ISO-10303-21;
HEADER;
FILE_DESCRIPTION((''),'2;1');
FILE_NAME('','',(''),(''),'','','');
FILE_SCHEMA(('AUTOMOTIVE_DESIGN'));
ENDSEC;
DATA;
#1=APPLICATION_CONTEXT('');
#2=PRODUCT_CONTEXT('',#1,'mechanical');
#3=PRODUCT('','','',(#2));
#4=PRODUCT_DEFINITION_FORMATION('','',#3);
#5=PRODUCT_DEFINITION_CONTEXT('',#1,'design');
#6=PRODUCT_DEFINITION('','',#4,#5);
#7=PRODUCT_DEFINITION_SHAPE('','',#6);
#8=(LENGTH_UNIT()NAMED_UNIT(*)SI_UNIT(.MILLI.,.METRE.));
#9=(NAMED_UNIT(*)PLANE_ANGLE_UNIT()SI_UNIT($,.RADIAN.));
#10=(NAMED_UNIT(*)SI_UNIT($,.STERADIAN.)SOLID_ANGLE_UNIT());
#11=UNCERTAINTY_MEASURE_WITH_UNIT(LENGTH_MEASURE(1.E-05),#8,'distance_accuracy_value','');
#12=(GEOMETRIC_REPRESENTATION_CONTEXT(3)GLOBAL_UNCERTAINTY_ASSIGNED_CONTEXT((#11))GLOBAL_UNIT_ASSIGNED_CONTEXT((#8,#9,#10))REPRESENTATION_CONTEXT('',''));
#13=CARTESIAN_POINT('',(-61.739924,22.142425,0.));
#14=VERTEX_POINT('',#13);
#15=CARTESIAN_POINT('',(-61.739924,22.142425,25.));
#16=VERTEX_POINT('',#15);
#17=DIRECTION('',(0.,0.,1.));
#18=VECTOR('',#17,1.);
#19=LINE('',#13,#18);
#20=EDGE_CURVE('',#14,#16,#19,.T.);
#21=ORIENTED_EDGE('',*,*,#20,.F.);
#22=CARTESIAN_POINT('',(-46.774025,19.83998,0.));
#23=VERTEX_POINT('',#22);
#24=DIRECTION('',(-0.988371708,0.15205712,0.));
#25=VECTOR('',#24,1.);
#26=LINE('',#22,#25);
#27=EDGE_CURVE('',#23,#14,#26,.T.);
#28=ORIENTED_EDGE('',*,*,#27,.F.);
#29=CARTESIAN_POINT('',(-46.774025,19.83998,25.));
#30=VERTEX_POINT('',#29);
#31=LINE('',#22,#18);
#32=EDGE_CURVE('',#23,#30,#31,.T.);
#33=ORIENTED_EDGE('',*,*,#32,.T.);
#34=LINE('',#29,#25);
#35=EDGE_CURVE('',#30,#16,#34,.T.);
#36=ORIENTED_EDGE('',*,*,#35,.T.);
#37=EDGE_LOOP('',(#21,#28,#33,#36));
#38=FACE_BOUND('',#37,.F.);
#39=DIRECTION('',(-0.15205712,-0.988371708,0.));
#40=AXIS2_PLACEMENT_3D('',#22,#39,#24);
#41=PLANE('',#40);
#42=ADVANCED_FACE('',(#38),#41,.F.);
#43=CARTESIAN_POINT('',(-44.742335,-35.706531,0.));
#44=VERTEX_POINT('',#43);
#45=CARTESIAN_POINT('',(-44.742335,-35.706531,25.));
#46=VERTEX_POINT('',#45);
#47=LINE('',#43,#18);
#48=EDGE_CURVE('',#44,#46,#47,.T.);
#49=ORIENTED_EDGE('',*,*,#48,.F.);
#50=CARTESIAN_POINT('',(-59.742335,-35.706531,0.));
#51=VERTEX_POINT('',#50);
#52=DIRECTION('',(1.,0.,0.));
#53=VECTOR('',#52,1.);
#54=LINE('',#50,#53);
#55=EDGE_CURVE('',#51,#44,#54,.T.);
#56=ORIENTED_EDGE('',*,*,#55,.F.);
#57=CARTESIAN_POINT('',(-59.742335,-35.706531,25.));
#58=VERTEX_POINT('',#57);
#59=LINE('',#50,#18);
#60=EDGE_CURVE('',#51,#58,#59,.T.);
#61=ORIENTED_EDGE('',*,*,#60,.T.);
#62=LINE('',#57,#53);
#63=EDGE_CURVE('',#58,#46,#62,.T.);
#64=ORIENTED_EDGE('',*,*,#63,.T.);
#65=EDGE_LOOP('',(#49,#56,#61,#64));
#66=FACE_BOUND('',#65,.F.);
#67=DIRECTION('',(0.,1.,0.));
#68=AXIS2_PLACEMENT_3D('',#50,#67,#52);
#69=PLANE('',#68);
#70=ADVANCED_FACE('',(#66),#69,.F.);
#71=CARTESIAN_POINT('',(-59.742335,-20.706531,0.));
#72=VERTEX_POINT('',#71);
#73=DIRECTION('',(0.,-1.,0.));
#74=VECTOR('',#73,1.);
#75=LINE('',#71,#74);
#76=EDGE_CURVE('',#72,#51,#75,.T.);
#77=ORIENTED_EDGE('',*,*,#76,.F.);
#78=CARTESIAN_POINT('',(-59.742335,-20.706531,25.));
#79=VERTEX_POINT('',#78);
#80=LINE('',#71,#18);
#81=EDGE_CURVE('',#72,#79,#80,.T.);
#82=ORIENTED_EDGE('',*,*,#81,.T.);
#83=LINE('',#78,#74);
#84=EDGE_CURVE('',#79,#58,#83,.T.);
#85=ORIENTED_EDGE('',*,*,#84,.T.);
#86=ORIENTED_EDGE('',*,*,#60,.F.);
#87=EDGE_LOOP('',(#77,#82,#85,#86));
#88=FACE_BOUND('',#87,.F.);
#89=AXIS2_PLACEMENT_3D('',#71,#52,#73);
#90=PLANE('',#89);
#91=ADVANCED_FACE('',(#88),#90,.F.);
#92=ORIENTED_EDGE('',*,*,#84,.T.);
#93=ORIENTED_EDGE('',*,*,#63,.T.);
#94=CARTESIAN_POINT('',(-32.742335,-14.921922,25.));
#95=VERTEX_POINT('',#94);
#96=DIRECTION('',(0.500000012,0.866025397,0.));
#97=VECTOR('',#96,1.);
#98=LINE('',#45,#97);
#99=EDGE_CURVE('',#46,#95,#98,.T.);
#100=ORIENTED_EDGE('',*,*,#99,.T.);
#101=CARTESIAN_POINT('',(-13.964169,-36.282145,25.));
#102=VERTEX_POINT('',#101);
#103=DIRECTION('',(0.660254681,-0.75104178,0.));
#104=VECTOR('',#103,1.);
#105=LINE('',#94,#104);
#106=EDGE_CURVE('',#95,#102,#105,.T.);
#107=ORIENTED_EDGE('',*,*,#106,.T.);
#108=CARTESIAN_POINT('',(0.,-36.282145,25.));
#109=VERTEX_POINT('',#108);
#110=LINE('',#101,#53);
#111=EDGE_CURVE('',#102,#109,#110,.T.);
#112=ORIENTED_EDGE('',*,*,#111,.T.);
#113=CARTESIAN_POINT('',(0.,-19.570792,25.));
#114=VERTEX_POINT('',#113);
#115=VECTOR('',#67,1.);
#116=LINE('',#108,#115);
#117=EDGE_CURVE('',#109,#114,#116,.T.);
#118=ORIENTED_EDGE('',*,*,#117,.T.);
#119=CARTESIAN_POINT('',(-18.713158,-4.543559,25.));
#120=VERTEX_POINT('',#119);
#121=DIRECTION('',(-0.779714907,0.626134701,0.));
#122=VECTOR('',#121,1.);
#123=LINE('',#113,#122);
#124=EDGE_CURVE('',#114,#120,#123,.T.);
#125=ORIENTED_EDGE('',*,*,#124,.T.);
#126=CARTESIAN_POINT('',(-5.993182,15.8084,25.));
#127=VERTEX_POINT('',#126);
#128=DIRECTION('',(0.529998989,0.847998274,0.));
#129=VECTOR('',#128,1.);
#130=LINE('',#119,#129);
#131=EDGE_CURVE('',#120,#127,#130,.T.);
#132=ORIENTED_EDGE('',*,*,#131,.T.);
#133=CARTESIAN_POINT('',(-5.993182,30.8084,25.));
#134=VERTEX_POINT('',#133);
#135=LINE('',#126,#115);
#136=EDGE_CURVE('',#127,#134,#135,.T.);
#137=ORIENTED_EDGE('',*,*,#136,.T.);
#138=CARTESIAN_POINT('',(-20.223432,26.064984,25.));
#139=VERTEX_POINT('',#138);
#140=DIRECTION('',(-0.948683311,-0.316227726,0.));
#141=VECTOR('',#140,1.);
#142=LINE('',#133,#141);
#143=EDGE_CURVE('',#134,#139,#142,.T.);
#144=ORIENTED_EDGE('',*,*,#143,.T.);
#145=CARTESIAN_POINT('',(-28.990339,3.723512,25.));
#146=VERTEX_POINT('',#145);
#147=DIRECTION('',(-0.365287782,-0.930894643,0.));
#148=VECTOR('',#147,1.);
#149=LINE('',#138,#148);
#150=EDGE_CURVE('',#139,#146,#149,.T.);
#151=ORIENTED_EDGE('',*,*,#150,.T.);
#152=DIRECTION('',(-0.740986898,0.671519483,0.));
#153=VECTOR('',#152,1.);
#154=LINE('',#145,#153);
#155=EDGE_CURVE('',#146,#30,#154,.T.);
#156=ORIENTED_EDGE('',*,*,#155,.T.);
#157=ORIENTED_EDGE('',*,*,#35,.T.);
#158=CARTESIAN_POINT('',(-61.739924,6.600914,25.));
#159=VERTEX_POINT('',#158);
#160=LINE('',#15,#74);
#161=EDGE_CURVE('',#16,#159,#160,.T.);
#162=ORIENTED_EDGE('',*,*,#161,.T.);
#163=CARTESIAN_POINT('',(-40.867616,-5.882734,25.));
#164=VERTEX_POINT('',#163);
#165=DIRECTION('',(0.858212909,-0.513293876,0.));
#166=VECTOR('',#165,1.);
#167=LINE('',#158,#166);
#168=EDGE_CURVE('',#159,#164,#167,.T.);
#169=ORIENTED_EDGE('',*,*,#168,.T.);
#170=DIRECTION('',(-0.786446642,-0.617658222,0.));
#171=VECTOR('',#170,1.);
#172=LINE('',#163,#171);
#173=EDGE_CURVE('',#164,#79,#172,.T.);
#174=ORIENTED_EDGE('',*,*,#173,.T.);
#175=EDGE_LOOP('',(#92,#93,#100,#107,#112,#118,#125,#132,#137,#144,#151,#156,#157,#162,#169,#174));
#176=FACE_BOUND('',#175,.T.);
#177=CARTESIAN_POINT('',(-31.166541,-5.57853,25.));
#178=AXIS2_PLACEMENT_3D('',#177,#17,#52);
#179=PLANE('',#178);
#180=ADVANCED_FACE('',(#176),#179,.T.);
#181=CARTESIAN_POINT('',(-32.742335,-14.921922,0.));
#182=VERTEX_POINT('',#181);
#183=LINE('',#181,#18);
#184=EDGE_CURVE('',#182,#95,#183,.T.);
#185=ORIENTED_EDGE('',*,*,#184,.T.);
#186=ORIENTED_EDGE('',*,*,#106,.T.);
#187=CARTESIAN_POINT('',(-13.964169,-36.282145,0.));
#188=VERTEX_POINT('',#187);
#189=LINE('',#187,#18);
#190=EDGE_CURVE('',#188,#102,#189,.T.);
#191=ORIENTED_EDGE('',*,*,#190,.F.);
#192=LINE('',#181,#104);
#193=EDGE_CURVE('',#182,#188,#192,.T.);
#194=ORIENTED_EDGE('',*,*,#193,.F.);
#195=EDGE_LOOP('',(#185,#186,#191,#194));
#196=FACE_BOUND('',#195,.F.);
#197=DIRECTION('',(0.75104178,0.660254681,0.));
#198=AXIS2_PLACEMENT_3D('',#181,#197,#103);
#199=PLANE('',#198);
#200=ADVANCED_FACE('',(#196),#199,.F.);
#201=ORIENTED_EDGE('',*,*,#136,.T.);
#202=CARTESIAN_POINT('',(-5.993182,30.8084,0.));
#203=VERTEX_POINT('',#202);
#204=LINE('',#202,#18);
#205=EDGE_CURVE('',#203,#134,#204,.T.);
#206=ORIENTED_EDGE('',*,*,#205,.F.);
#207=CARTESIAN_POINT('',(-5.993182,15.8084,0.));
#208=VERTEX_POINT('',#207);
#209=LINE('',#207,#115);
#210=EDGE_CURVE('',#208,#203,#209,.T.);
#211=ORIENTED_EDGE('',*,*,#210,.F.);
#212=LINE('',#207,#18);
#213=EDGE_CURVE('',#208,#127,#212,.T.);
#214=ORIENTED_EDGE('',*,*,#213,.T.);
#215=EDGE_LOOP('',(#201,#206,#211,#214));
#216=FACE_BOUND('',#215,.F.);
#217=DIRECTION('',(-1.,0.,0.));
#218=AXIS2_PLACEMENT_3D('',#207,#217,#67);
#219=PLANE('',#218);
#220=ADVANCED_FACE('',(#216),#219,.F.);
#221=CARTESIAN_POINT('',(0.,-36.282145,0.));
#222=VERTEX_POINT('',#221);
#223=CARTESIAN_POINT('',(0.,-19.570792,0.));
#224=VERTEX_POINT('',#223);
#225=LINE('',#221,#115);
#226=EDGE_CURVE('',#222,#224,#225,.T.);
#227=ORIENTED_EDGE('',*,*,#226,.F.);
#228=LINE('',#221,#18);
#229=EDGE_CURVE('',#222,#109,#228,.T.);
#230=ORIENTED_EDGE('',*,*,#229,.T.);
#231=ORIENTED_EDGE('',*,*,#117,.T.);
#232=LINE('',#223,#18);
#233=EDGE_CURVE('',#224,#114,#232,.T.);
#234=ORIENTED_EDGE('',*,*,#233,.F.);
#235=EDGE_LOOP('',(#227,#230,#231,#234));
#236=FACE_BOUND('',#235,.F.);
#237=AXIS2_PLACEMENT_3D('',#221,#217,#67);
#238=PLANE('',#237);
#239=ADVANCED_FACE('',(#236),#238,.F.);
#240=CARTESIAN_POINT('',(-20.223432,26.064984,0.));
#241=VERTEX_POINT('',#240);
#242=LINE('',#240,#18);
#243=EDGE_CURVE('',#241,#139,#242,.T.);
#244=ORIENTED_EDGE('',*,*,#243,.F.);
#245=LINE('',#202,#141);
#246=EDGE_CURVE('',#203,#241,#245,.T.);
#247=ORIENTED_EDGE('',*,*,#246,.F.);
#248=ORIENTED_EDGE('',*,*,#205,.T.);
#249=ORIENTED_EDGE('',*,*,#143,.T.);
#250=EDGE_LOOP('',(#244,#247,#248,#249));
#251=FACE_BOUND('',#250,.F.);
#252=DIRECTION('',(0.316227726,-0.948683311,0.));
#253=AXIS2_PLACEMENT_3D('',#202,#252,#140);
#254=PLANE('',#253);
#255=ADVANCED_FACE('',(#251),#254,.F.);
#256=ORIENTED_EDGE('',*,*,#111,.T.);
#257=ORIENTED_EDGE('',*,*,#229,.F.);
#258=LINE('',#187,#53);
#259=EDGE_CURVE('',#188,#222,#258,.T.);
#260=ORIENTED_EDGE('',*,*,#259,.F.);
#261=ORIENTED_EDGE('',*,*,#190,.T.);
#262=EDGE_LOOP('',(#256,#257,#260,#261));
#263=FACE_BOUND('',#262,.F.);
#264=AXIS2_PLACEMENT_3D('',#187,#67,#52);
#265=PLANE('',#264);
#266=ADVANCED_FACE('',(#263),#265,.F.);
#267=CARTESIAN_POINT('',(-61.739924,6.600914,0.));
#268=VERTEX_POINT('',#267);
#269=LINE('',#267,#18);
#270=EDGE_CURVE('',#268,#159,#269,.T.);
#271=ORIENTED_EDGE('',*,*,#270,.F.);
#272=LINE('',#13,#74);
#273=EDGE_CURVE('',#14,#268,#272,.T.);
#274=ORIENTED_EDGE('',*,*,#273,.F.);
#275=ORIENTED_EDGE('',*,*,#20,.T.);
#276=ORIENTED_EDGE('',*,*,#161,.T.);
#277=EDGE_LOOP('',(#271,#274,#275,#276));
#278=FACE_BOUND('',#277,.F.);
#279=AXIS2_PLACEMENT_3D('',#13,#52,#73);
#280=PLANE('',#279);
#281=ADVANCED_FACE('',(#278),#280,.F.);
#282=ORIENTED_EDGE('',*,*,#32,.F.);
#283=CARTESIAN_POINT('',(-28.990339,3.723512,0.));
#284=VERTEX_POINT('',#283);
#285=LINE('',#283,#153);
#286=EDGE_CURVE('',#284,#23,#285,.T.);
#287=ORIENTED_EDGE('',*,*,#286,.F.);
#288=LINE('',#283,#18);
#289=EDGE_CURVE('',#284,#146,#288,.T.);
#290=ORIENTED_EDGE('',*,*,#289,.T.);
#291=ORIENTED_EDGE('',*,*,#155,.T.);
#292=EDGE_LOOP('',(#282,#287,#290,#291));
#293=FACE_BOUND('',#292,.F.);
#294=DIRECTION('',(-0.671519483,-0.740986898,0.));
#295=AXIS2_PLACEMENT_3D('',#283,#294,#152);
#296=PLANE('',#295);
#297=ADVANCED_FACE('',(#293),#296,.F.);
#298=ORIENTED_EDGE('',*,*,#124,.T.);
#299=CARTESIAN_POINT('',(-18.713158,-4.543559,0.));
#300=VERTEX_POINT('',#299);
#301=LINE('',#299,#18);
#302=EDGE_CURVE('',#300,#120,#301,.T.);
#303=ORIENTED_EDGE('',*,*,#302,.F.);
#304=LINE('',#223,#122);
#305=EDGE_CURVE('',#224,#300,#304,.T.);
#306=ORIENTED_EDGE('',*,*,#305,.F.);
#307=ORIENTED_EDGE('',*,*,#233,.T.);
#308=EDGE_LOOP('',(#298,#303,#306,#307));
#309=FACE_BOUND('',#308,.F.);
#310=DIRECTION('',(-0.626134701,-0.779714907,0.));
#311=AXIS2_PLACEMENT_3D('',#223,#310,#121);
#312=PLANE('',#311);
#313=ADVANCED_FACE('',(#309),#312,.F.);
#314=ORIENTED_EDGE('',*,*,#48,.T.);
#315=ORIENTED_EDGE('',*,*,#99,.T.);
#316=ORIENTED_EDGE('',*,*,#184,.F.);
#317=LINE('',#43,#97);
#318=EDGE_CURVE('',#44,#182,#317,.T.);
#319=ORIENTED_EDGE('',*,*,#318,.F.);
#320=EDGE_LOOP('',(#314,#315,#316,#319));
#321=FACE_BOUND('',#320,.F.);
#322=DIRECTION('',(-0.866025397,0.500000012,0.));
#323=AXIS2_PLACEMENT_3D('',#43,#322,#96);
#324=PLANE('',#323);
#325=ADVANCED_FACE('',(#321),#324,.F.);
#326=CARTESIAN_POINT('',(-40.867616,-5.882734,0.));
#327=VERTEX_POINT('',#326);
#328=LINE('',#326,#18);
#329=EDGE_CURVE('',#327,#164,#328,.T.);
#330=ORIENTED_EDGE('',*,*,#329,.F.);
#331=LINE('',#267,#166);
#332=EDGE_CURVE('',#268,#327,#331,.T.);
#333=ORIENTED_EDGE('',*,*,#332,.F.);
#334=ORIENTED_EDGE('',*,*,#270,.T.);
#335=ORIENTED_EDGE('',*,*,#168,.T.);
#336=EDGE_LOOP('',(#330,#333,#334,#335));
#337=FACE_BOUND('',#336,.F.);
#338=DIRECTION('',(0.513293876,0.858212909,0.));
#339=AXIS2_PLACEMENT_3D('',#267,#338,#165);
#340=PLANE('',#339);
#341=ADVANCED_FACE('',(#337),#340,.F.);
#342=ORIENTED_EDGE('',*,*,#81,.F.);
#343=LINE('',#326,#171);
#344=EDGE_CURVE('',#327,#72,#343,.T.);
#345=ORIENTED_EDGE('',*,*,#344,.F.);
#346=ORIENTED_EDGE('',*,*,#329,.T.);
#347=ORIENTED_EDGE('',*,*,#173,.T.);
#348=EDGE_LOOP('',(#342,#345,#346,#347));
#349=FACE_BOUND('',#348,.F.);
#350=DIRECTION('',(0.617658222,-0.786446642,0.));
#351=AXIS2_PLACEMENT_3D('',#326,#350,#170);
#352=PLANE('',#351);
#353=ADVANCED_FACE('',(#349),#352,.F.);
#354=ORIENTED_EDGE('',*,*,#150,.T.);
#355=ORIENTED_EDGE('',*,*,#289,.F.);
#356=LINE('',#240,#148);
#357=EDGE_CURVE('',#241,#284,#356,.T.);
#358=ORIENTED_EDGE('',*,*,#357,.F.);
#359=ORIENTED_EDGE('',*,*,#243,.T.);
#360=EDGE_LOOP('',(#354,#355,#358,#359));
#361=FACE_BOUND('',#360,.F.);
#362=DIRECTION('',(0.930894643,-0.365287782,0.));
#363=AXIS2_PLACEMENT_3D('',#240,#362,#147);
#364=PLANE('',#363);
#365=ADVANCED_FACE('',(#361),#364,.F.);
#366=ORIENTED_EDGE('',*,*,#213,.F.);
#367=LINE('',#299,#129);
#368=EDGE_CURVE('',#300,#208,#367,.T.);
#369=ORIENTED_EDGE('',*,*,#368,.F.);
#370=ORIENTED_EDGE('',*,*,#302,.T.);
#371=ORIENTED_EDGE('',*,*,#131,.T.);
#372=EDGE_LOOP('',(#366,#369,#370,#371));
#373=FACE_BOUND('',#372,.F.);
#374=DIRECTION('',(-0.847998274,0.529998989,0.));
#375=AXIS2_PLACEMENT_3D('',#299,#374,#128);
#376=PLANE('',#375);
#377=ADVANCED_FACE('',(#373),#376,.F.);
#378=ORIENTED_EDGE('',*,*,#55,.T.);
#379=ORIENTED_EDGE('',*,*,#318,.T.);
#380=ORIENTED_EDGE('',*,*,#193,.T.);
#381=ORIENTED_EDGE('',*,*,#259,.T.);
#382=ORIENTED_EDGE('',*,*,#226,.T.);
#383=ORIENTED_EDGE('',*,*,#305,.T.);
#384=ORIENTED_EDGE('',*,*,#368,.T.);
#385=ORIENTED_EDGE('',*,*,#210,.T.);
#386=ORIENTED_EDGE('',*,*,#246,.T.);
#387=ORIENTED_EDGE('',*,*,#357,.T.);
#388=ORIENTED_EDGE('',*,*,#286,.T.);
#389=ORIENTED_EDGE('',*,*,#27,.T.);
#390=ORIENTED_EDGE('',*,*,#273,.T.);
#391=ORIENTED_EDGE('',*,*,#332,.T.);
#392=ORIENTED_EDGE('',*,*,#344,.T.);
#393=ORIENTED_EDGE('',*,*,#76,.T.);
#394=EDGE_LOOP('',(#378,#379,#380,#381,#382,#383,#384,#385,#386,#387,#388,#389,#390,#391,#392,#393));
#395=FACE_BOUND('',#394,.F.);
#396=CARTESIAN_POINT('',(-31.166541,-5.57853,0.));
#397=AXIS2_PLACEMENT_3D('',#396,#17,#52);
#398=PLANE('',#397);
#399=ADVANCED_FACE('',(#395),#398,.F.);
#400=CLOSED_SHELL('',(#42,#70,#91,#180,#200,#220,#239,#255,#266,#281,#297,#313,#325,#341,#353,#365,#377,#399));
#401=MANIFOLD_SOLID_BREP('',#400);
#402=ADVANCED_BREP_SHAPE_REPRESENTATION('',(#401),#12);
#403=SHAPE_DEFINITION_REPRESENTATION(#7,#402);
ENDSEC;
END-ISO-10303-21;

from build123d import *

# Parameters (mm, degrees)
F1_DEPTH = 25


with BuildPart() as f1:
    # F0 (on Top) → F1 (new body)
    with BuildSketch(Plane.XY):
        Polygon((-59.742335, -20.706531), (-59.742335, -35.706531), (-44.742335, -35.706531), (-32.742335, -14.921922), (-13.964169, -36.282145), (0, -36.282145), (0, -19.570792), (-18.713158, -4.543559), (-5.993182, 15.8084), (-5.993182, 30.8084), (-20.223432, 26.064984), (-28.990339, 3.723512), (-46.774025, 19.83998), (-61.739924, 22.142425), (-61.739924, 6.600914), (-40.867616, -5.882734), align=None)
    extrude(amount=F1_DEPTH)


solid = f1.part
